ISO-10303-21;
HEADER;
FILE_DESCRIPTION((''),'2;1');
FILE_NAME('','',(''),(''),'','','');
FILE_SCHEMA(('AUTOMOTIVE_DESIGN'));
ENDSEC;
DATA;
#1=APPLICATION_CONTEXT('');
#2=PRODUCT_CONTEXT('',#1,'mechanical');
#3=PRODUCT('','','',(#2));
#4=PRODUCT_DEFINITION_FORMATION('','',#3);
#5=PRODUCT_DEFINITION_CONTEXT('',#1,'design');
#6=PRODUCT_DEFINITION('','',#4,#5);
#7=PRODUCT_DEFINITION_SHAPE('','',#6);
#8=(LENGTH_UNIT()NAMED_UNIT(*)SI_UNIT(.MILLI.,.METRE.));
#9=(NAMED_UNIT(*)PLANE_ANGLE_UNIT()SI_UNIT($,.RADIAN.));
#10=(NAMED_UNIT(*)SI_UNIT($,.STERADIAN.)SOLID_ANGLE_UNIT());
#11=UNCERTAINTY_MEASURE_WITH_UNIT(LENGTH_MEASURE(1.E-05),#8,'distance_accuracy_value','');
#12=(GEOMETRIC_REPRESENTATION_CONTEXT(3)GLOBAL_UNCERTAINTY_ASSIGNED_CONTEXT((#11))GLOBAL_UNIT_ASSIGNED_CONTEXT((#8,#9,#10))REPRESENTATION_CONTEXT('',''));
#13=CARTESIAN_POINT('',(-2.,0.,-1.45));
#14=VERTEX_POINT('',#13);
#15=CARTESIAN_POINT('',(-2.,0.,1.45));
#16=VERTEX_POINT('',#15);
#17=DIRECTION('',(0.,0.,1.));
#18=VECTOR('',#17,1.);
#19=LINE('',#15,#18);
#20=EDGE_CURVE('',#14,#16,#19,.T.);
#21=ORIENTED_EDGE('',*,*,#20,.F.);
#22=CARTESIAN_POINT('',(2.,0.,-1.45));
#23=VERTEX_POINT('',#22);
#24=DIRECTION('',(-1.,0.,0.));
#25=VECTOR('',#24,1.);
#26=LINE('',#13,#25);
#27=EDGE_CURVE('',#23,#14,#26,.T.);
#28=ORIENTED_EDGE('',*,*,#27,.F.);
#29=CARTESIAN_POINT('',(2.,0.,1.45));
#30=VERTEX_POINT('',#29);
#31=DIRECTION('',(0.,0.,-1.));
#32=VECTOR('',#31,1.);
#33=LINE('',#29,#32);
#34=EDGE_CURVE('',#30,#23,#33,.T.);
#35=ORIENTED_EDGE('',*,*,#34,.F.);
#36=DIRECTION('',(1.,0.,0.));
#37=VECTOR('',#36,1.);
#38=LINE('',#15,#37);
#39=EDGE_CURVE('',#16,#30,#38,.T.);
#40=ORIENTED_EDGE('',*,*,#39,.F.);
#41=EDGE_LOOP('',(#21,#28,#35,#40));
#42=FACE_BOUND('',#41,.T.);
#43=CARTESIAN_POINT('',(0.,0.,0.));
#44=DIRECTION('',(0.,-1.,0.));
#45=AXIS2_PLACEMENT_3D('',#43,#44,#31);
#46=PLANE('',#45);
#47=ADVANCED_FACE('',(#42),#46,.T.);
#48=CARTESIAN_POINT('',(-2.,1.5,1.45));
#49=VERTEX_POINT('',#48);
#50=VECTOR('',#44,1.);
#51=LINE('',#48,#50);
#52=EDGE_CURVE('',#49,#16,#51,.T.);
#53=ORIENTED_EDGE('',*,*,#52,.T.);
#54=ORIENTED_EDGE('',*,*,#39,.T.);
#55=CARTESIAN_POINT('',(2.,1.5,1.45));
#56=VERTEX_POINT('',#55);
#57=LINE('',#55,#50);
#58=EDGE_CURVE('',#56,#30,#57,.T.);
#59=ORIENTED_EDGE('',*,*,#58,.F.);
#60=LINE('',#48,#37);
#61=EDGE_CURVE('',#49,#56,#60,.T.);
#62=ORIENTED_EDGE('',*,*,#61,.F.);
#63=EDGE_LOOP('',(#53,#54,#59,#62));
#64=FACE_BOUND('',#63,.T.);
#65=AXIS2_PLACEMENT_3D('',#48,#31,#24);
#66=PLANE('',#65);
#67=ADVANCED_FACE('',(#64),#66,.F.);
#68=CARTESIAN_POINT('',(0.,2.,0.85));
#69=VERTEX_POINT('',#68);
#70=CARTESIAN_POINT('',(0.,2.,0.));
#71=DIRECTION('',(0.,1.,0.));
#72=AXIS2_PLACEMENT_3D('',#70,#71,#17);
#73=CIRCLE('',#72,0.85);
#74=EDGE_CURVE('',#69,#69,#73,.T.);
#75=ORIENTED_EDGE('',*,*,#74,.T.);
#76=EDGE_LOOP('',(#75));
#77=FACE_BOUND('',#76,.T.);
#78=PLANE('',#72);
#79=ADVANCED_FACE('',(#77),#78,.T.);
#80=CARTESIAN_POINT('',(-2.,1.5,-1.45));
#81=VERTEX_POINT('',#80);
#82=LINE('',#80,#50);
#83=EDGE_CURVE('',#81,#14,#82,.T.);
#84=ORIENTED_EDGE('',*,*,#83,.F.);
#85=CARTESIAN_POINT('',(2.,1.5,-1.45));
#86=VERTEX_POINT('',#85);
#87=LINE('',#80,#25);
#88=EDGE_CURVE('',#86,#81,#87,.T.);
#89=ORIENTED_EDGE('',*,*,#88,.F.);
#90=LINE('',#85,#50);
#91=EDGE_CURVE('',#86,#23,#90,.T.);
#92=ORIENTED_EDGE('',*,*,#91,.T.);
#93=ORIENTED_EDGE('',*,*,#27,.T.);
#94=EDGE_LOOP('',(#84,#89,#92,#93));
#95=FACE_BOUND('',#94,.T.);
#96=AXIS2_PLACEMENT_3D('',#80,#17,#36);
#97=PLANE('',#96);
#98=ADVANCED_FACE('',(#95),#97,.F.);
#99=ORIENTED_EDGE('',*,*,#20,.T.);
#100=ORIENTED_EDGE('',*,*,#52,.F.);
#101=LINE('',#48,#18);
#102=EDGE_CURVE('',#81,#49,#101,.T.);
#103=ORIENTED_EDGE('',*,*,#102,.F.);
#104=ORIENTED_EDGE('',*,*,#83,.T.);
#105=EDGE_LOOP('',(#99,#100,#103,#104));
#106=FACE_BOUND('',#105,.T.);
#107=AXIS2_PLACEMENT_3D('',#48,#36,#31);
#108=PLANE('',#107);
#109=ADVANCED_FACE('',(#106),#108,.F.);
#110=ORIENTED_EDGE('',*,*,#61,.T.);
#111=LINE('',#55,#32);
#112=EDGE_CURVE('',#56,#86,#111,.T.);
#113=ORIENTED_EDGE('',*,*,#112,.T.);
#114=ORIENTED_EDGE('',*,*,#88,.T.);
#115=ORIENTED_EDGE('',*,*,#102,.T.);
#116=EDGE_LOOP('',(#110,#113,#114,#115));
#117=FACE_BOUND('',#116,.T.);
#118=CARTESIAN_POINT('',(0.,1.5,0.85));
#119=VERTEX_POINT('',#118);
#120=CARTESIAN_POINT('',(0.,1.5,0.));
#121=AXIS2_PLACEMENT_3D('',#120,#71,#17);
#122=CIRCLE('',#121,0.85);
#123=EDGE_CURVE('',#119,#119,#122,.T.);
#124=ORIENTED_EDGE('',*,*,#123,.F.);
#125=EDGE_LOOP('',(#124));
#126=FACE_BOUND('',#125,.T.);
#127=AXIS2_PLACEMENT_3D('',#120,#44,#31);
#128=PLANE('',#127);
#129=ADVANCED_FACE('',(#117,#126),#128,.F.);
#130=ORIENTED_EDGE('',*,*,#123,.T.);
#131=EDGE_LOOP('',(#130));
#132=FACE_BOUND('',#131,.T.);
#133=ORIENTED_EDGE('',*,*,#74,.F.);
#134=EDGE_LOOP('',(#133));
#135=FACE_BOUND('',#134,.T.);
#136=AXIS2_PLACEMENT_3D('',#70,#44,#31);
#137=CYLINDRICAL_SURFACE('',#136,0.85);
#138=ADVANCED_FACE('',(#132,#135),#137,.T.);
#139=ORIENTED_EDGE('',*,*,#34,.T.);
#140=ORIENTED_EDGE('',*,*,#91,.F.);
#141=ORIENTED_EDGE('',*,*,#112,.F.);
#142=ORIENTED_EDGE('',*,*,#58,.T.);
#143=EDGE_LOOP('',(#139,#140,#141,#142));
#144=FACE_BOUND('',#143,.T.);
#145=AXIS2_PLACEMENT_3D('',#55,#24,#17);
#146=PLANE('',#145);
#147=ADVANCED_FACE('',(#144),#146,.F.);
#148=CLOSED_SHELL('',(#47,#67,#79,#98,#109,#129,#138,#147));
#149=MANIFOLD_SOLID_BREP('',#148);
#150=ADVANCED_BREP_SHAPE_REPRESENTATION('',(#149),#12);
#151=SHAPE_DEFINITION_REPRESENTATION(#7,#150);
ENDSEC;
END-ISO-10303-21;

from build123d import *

# Parameters (mm, degrees)
CROQUIS1_W              = 4
CROQUIS1_H              = 2.9
SALIENTE_EXTRUIR1_DEPTH = 1.5
CROQUIS2_R              = 0.85
SALIENTE_EXTRUIR2_DEPTH = 0.5


with BuildPart() as part:
    # Croquis1 → Saliente-Extruir1 (new body)
    with BuildSketch(Plane(origin=(0, 0, 0), x_dir=(1, 0, 0), z_dir=(0, 1, 0))):
        Rectangle(CROQUIS1_W, CROQUIS1_H)
    extrude(amount=SALIENTE_EXTRUIR1_DEPTH)

    # Croquis2 → Saliente-Extruir2 (add)
    with BuildSketch(Plane(origin=(0, 1.5, 0), x_dir=(1, 0, 0), z_dir=(0, 1, 0))):
        with Locations(Location((0, 0, 0), (0, 0, 270))):
            Circle(CROQUIS2_R)
    extrude(amount=SALIENTE_EXTRUIR2_DEPTH)


solid = part.part
